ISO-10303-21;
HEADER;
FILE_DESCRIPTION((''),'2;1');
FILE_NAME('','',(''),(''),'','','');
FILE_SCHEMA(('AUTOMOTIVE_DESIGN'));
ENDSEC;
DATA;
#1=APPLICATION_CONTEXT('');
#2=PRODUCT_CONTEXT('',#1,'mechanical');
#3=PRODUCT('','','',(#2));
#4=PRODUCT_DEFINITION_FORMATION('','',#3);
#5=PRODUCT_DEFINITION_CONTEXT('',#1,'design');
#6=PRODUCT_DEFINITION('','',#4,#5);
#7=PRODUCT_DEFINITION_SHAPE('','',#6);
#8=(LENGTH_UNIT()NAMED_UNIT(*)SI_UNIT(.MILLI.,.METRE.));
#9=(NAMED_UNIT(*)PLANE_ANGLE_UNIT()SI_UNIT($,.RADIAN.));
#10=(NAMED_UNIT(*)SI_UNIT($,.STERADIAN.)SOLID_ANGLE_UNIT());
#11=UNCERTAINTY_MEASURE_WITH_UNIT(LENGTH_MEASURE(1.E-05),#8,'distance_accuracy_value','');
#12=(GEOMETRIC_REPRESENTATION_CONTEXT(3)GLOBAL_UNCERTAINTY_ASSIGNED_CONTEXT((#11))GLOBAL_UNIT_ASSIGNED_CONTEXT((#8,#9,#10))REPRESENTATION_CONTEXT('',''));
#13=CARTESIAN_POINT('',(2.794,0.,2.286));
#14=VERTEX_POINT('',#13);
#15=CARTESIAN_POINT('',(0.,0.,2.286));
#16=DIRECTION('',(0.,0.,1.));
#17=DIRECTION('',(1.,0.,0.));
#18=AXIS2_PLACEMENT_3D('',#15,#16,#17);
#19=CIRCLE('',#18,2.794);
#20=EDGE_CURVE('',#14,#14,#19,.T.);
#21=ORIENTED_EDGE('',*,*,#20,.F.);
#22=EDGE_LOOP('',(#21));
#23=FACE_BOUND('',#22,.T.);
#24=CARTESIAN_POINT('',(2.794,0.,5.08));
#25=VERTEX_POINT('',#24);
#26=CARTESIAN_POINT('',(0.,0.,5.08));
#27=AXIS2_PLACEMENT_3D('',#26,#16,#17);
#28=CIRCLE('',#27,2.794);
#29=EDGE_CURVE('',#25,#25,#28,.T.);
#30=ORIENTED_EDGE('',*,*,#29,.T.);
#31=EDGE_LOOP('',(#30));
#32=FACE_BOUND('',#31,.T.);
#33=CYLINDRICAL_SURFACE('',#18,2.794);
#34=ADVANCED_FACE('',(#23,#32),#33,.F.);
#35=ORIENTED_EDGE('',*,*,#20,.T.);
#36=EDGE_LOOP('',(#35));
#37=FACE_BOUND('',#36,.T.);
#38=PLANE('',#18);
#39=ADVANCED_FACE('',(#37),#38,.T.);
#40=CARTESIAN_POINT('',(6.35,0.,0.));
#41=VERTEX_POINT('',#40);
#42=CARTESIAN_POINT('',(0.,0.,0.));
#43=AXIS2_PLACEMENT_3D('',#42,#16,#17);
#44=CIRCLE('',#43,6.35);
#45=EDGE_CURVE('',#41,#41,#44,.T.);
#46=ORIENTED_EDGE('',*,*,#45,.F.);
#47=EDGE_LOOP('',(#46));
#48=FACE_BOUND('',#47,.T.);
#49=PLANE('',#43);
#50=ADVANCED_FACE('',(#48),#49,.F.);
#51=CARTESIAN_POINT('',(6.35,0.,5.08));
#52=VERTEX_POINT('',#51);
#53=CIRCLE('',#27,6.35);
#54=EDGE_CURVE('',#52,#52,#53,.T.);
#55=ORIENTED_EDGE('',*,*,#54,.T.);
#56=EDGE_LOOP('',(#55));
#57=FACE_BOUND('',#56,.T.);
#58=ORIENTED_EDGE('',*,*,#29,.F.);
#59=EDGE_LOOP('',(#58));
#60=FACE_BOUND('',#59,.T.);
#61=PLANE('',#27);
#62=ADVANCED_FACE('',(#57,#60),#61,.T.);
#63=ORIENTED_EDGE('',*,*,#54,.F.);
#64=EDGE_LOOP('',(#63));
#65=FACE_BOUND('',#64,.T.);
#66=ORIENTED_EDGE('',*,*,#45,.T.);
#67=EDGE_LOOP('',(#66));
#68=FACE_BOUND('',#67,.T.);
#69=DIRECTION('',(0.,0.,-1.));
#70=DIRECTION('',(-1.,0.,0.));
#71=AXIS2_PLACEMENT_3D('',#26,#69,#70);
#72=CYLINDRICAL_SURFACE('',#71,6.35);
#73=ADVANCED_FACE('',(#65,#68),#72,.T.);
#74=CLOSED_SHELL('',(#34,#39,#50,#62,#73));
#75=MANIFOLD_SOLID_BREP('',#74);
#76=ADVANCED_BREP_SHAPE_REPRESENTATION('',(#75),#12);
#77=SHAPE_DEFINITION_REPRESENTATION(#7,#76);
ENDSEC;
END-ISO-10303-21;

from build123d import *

# Parameters (mm, degrees)
SKETCH1_R           = 6.35
BOSS_EXTRUDE1_DEPTH = 5.08
SKETCH2_R           = 2.794
CUT_EXTRUDE1_DEPTH  = 2.794


with BuildPart() as part:
    # Sketch1 → Boss-Extrude1 (new body)
    with BuildSketch(Plane.XY):
        Circle(SKETCH1_R)
    extrude(amount=BOSS_EXTRUDE1_DEPTH)

    # Sketch2 → Cut-Extrude1 (cut)
    with BuildSketch(Plane.XY.offset(5.08)):
        Circle(SKETCH2_R)
    extrude(amount=-CUT_EXTRUDE1_DEPTH, mode=Mode.SUBTRACT)


solid = part.part
